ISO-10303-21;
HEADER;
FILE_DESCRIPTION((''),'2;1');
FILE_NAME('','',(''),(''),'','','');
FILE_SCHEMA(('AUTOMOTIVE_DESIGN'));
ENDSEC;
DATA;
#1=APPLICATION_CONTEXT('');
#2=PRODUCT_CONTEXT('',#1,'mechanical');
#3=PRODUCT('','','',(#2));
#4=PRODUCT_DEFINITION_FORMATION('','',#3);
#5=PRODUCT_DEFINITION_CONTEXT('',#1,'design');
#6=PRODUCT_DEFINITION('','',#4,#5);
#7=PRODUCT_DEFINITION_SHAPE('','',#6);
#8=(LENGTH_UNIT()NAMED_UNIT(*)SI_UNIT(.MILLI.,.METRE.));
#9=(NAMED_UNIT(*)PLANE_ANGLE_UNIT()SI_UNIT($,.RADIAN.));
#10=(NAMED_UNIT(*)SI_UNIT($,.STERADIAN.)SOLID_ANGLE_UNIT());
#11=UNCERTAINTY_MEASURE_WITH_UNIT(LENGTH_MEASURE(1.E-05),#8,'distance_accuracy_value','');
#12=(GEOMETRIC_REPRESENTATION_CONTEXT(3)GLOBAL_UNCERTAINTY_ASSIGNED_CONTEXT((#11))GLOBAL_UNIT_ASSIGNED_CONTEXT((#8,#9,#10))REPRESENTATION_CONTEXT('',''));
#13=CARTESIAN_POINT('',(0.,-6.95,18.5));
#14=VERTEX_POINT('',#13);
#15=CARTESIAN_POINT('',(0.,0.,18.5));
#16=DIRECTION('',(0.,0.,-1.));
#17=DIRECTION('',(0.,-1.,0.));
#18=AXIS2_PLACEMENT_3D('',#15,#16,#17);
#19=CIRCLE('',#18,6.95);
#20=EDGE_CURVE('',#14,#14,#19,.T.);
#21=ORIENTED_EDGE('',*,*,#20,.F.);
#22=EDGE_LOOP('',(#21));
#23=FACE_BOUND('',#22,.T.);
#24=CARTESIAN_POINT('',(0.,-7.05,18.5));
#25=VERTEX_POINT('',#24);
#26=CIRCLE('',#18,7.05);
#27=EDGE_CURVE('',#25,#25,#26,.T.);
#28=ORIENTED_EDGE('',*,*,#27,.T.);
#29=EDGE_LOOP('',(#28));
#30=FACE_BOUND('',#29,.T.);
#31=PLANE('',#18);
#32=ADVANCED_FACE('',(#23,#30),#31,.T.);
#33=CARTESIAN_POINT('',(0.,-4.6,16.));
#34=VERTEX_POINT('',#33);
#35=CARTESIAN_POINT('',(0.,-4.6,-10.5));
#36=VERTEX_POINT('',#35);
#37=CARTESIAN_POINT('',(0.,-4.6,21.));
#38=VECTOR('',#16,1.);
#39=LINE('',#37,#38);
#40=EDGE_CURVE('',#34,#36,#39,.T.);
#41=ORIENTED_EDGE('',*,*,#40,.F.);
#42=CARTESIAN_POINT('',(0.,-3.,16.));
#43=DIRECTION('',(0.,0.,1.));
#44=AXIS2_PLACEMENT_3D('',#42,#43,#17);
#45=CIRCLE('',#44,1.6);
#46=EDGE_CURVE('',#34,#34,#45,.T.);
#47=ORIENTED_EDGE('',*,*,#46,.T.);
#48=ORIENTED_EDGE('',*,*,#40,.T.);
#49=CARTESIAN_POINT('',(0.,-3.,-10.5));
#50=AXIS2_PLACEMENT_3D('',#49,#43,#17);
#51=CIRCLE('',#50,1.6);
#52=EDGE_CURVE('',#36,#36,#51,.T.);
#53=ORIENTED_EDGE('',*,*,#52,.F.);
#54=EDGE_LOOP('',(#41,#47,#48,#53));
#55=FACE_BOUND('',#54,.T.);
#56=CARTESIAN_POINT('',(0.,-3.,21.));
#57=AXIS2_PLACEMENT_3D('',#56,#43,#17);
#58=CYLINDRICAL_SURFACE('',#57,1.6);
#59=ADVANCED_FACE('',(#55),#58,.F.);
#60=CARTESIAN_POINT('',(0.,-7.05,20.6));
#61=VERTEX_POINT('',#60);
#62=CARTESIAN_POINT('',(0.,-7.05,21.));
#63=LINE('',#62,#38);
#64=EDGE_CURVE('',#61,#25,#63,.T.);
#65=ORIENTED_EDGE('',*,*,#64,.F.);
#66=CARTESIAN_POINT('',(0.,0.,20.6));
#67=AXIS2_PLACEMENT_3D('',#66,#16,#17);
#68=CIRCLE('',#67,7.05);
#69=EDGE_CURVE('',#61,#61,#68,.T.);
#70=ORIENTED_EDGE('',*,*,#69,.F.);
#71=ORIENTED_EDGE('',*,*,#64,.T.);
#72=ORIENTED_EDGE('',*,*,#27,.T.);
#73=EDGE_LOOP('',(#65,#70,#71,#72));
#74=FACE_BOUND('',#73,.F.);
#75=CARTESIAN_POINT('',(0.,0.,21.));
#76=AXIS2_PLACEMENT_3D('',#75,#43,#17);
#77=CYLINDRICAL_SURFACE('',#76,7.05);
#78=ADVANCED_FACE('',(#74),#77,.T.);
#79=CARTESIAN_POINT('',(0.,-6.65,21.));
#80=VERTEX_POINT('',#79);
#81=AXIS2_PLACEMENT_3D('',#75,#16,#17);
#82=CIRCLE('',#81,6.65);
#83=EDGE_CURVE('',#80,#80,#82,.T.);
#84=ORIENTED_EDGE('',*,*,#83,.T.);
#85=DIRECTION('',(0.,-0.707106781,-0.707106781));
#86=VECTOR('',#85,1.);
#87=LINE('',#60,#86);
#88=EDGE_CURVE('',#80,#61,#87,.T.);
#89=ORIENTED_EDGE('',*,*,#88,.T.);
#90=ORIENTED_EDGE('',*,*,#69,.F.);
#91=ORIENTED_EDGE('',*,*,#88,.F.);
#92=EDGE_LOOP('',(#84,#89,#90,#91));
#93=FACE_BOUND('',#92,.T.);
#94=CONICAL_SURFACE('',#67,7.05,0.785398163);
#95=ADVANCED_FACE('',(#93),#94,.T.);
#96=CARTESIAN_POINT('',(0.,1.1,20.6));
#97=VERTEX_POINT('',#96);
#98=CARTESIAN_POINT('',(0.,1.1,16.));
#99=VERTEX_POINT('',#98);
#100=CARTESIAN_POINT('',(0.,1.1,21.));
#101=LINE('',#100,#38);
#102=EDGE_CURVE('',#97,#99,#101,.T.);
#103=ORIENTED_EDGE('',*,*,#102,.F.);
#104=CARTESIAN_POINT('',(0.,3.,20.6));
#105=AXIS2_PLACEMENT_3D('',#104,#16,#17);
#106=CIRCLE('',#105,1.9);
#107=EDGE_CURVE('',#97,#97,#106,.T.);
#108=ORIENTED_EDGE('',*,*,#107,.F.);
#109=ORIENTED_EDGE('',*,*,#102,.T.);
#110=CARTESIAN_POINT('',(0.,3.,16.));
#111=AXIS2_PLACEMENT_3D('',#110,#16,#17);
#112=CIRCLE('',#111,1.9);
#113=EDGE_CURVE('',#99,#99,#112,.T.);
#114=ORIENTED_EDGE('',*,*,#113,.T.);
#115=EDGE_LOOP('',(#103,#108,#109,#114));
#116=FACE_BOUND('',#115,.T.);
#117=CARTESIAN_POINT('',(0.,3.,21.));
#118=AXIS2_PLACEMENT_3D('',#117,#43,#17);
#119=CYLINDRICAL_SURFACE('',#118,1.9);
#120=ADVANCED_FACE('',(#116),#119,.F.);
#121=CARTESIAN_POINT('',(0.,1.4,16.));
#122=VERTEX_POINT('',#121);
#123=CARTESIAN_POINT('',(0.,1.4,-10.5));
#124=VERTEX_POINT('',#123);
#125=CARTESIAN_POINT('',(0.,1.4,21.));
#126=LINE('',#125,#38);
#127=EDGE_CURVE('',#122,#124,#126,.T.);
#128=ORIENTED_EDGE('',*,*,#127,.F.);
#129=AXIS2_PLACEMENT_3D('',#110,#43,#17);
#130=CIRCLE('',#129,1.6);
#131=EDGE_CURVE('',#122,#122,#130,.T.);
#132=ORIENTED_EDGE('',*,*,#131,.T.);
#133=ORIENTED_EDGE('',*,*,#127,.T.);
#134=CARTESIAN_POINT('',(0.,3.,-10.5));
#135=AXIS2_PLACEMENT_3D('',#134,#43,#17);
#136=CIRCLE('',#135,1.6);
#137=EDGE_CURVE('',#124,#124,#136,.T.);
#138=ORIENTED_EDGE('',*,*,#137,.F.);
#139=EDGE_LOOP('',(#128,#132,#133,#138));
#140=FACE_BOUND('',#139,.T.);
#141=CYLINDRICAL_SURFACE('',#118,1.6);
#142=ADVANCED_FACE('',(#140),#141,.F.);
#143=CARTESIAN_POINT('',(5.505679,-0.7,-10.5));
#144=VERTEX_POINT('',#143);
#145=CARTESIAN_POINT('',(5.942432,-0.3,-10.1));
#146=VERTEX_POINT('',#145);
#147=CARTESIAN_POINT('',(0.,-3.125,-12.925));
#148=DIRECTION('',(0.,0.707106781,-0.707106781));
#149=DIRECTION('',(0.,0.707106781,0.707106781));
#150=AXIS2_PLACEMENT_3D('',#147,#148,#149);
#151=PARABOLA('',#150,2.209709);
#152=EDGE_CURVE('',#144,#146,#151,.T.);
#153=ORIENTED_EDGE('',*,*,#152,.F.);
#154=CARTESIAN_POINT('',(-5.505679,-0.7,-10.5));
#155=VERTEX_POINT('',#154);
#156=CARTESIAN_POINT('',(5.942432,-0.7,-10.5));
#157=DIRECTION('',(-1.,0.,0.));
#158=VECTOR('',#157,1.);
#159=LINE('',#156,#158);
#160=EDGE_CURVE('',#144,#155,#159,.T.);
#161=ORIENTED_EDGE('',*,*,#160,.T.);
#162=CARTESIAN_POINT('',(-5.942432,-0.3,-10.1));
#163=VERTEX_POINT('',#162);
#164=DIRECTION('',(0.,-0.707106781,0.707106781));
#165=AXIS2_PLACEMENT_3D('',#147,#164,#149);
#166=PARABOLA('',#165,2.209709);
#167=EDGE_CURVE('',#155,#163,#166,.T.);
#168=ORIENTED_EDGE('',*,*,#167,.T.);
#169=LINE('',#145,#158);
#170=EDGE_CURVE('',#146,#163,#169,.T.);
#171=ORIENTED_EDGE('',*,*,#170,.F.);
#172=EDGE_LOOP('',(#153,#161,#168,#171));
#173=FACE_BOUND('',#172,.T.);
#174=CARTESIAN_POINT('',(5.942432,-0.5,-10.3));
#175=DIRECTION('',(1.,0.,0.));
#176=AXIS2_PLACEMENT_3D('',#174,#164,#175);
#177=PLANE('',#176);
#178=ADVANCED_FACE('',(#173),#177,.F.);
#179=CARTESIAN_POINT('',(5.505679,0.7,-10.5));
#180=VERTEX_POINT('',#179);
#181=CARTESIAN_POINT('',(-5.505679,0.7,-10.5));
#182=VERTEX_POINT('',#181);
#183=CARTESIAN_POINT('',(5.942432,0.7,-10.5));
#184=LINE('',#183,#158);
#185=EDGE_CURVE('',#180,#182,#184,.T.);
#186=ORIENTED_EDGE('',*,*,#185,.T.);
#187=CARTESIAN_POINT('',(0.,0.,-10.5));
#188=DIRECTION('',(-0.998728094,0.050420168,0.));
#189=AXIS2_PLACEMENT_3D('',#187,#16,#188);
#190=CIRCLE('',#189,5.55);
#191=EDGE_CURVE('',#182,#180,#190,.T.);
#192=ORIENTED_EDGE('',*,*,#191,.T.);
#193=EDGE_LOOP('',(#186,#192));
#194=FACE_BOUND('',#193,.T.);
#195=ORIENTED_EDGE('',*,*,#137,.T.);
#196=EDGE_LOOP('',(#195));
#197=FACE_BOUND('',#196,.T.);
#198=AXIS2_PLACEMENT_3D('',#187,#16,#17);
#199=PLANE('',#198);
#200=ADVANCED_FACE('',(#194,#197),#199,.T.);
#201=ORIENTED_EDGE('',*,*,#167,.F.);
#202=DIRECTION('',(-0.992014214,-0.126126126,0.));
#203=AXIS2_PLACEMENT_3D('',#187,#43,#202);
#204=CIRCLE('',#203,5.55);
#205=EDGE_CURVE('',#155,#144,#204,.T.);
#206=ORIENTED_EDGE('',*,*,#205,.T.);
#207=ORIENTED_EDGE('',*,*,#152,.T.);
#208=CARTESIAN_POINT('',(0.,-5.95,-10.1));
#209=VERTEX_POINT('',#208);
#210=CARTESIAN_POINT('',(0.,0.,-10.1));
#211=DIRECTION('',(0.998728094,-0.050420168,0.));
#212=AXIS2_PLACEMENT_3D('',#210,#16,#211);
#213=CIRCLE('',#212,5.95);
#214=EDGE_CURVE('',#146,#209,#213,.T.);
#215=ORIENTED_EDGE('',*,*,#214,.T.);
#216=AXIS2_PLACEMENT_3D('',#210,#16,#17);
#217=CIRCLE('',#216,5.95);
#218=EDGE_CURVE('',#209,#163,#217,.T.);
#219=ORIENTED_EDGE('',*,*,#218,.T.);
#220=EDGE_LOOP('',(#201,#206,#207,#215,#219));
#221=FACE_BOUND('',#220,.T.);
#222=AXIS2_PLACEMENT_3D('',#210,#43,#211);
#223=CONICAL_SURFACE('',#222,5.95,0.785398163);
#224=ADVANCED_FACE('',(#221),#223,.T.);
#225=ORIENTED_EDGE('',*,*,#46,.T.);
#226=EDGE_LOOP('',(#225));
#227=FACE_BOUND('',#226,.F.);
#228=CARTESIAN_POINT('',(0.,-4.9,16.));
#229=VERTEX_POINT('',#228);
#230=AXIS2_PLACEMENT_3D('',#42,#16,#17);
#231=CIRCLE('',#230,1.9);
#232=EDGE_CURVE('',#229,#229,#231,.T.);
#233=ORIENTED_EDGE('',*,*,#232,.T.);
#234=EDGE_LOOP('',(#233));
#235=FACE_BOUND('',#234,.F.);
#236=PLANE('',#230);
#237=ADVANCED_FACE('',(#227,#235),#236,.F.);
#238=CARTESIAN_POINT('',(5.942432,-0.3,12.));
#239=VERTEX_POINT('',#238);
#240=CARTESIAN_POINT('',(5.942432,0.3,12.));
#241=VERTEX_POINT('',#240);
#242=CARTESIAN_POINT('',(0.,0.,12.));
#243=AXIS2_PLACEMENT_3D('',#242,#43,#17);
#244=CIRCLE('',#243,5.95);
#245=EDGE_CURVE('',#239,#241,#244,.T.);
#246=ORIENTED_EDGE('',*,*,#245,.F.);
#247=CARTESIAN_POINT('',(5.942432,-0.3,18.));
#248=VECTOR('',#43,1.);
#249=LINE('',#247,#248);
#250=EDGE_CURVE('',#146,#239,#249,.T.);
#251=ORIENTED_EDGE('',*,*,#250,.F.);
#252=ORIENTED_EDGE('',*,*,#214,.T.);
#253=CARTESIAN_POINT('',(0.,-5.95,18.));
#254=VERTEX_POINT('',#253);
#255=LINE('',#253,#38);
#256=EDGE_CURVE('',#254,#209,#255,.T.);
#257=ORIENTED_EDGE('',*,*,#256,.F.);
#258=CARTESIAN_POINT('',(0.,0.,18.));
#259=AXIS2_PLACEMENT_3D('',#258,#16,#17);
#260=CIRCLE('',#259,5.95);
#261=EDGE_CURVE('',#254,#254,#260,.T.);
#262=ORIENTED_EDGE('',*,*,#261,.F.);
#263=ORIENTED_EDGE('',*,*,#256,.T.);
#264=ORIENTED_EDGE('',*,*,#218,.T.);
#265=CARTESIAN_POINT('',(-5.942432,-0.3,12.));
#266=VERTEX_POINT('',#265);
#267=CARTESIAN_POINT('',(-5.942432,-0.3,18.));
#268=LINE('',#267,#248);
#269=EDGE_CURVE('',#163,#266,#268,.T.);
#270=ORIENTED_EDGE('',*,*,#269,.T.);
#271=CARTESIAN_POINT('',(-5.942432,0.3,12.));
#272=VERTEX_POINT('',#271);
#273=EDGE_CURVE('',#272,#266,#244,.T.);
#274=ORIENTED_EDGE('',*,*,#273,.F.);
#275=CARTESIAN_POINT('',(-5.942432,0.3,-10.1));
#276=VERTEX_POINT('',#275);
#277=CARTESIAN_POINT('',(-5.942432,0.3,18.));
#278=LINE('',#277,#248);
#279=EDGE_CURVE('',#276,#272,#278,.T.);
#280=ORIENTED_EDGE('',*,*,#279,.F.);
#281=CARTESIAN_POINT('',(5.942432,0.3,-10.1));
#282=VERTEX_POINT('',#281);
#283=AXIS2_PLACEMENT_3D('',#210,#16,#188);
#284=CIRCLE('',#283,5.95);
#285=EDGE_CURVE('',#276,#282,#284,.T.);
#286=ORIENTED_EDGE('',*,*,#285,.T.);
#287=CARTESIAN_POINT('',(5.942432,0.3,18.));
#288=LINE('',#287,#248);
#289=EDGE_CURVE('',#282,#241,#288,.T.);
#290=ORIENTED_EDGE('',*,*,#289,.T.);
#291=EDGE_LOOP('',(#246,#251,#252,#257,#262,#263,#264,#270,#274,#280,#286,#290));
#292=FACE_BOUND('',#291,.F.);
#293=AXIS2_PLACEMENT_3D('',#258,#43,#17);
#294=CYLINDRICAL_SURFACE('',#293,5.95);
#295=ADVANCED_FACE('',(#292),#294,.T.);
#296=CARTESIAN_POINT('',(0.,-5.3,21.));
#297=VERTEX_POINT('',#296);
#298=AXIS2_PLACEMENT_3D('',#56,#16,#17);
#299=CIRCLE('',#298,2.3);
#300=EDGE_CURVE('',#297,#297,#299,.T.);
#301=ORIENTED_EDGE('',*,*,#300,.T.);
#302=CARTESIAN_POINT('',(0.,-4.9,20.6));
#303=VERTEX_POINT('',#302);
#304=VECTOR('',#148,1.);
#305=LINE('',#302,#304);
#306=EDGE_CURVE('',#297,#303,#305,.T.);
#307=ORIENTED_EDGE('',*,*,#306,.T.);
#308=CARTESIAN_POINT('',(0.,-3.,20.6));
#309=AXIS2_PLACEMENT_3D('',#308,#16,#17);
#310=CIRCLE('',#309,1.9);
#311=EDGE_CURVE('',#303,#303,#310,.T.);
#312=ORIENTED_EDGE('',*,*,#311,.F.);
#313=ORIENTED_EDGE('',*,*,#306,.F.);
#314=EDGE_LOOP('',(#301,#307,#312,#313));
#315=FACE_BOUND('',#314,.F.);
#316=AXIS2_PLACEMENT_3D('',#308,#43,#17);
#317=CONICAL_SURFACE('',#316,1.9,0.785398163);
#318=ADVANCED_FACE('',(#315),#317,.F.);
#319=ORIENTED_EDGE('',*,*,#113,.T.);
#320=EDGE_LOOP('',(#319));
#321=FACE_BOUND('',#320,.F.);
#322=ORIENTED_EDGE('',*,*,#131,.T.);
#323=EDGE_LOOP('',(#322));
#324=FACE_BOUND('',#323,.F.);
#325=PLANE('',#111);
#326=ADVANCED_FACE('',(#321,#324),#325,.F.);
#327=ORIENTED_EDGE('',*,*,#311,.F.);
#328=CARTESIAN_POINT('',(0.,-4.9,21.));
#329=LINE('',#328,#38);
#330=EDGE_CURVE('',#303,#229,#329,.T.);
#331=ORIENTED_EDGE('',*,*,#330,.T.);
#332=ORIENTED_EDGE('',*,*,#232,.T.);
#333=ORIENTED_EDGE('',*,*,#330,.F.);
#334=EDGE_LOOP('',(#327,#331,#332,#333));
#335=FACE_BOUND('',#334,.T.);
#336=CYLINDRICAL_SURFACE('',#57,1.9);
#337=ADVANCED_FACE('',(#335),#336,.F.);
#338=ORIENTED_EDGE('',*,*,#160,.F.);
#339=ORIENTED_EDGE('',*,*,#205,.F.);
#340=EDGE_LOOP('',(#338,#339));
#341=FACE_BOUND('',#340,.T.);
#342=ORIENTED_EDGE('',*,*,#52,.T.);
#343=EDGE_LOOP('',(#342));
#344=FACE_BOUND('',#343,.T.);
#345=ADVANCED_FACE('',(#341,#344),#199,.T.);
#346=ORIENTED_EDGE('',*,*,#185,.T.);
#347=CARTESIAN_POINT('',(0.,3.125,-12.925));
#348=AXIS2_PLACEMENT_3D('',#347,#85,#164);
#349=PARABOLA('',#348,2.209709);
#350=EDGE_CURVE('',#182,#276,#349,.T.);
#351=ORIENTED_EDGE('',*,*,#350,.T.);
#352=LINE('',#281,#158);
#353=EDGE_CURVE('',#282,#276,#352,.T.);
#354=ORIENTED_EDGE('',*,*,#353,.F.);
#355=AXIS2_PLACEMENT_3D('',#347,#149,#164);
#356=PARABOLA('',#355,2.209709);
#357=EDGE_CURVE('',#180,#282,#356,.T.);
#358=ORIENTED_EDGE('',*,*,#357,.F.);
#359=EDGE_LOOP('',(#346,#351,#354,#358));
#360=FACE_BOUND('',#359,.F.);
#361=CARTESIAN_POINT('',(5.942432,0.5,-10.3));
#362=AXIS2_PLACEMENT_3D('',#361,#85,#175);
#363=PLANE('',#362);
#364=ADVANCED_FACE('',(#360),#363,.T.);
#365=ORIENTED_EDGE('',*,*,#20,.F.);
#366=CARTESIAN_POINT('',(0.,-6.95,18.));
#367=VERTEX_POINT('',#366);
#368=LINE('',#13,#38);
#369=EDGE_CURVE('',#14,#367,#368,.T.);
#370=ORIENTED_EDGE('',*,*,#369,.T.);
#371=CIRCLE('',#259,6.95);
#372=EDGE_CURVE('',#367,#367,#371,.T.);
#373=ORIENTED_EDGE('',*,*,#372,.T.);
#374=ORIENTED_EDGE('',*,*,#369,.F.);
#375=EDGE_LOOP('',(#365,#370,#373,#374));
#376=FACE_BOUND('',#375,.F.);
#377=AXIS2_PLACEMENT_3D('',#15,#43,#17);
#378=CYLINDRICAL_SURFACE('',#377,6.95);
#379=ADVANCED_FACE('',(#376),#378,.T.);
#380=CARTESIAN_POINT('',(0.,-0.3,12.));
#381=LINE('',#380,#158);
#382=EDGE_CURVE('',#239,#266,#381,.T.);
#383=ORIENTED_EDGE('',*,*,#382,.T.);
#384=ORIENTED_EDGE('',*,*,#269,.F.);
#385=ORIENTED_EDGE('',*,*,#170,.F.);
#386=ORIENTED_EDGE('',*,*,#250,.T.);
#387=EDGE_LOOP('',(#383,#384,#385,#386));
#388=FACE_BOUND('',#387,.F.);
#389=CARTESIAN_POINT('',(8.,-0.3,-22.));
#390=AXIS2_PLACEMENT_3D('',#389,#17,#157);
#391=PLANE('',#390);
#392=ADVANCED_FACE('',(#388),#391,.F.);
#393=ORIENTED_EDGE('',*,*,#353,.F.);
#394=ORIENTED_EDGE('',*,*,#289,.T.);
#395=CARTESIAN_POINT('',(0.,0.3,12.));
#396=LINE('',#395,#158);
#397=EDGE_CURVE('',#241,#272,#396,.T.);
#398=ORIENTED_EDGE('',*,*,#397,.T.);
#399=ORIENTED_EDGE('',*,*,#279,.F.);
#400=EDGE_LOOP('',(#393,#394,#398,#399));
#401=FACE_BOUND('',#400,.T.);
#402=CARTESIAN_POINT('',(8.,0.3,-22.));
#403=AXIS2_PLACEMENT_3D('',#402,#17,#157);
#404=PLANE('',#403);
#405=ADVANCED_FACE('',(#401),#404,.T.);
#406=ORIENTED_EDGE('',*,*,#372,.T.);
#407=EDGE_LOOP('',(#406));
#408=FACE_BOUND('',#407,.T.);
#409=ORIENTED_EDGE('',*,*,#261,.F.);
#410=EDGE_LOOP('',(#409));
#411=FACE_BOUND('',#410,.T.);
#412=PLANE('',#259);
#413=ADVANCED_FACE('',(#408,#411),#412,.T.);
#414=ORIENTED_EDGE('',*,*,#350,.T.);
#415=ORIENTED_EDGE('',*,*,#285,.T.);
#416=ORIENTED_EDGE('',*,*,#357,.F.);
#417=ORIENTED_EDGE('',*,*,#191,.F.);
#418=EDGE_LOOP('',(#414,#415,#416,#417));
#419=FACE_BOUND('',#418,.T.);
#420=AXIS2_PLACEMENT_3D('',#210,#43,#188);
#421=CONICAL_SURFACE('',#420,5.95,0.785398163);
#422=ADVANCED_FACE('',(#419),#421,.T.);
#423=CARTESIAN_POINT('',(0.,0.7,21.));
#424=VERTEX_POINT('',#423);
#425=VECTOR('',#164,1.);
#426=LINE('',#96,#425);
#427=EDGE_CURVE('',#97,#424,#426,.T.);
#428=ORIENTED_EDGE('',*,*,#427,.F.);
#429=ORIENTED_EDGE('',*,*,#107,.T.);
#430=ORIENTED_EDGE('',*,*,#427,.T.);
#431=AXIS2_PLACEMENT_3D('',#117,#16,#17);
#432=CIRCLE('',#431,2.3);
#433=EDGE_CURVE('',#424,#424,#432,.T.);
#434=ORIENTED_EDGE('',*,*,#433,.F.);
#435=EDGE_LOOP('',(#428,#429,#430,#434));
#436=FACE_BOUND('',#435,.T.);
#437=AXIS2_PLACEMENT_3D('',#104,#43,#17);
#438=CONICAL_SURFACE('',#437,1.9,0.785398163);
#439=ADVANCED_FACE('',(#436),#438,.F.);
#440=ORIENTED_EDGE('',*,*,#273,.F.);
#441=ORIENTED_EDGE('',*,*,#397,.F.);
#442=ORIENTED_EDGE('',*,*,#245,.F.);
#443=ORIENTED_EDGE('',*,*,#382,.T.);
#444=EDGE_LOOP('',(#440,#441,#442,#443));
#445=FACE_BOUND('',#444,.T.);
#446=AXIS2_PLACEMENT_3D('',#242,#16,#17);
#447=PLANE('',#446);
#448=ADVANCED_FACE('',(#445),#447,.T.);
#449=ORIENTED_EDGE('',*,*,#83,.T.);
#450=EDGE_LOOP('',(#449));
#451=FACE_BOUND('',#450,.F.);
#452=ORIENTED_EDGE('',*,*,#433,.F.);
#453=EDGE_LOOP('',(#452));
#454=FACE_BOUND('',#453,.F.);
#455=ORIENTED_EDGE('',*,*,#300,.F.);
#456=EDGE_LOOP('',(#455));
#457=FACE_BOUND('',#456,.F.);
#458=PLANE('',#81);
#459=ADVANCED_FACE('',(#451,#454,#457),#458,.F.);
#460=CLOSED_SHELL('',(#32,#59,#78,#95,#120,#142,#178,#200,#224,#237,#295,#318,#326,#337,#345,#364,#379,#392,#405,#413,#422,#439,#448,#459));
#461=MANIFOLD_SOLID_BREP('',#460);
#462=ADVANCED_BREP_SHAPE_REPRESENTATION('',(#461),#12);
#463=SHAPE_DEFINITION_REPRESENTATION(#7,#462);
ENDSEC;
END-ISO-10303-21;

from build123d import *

# Parameters (mm, degrees)
SKETCH014_R             = 7.05
PAD004_DEPTH            = 2.5
SKETCH015_R             = 6.95
PAD005_DEPTH            = 0.5
SKETCH016_R             = 5.95
PAD006_DEPTH            = 28.5
SKETCH018_R             = 1.9
POCKET010_DEPTH         = 5
SKETCH019_R             = 1.6
POCKET011_DEPTH         = 31.501
SKETCH020_W             = 0.6
SKETCH020_H             = 16
POCKET012_DEPTH         = 34
CHAMFER_SIZE            = 0.4
CHAMFER003_SIZE         = 0.4
BODY003_ROLL_ANGLE      = 180
BODY003_PLACEMENT_ANGLE = -90


with BuildPart() as part:
    # Sketch014 → Pad004 (new body)
    with BuildSketch(Plane.XY):
        Circle(SKETCH014_R)
    extrude(amount=PAD004_DEPTH)

    # Sketch015 (on DatumPlane) → Pad005 (join)
    with BuildSketch(Plane.XY.offset(2.5)):
        Circle(SKETCH015_R)
    extrude(amount=PAD005_DEPTH)

    # Sketch016 (on DatumPlane) → Pad006 (join)
    with BuildSketch(Plane.XY.offset(3)):
        Circle(SKETCH016_R)
    extrude(amount=PAD006_DEPTH)

    # Sketch018 (on DatumPlane) → Pocket010 (cut)
    with BuildSketch(Plane.XY):
        with Locations((-3, 0)):
            Circle(SKETCH018_R)
        with Locations((3, 0)):
            Circle(SKETCH018_R)
    extrude(amount=POCKET010_DEPTH, mode=Mode.SUBTRACT)

    # Sketch019 (on DatumPlane) → Pocket011 (cut, through all)
    with BuildSketch(Plane.XY):
        with Locations((-3, 0)):
            Circle(SKETCH019_R)
        with Locations((3, 0)):
            Circle(SKETCH019_R)
    extrude(amount=POCKET011_DEPTH, mode=Mode.SUBTRACT)

    # Sketch020 (on DatumPlane) → Pocket012 (cut)
    with BuildSketch(Plane.XY.offset(43)):
        Rectangle(SKETCH020_W, SKETCH020_H)
    extrude(amount=-POCKET012_DEPTH, mode=Mode.SUBTRACT)

    # Chamfer
    chamfer_edges = [part.edges().sort_by_distance(p)[0] for p in [
        (-0.3, 0, 31.5),
        (-5.95, 0, 31.5),
        (0.3, 0, 31.5),
        (4.312047, -4.099848, 31.5),
        (4.312047, 4.099848, 31.5),
    ]]
    chamfer(chamfer_edges, length=CHAMFER_SIZE)

    # Chamfer003
    chamfer003_edges = [part.edges().sort_by_distance(p)[0] for p in [
        (-7.05, 0, 0),
        (-4.9, 0, 0),
        (1.1, 0, 0),
    ]]
    chamfer(chamfer003_edges, length=CHAMFER003_SIZE)


with BuildPart() as part_1:
    # Body003 roll: moved
    add(part.part.rotate(Axis((0, 0, 0), (1, 0, 0)), BODY003_ROLL_ANGLE))


with BuildPart() as part_2:
    # Body003 placement: moved
    add(part_1.part.moved(Location((0, 0, 21))).rotate(Axis((0, 0, 21), (0, 0, 1)), BODY003_PLACEMENT_ANGLE))


solid = part_2.part
